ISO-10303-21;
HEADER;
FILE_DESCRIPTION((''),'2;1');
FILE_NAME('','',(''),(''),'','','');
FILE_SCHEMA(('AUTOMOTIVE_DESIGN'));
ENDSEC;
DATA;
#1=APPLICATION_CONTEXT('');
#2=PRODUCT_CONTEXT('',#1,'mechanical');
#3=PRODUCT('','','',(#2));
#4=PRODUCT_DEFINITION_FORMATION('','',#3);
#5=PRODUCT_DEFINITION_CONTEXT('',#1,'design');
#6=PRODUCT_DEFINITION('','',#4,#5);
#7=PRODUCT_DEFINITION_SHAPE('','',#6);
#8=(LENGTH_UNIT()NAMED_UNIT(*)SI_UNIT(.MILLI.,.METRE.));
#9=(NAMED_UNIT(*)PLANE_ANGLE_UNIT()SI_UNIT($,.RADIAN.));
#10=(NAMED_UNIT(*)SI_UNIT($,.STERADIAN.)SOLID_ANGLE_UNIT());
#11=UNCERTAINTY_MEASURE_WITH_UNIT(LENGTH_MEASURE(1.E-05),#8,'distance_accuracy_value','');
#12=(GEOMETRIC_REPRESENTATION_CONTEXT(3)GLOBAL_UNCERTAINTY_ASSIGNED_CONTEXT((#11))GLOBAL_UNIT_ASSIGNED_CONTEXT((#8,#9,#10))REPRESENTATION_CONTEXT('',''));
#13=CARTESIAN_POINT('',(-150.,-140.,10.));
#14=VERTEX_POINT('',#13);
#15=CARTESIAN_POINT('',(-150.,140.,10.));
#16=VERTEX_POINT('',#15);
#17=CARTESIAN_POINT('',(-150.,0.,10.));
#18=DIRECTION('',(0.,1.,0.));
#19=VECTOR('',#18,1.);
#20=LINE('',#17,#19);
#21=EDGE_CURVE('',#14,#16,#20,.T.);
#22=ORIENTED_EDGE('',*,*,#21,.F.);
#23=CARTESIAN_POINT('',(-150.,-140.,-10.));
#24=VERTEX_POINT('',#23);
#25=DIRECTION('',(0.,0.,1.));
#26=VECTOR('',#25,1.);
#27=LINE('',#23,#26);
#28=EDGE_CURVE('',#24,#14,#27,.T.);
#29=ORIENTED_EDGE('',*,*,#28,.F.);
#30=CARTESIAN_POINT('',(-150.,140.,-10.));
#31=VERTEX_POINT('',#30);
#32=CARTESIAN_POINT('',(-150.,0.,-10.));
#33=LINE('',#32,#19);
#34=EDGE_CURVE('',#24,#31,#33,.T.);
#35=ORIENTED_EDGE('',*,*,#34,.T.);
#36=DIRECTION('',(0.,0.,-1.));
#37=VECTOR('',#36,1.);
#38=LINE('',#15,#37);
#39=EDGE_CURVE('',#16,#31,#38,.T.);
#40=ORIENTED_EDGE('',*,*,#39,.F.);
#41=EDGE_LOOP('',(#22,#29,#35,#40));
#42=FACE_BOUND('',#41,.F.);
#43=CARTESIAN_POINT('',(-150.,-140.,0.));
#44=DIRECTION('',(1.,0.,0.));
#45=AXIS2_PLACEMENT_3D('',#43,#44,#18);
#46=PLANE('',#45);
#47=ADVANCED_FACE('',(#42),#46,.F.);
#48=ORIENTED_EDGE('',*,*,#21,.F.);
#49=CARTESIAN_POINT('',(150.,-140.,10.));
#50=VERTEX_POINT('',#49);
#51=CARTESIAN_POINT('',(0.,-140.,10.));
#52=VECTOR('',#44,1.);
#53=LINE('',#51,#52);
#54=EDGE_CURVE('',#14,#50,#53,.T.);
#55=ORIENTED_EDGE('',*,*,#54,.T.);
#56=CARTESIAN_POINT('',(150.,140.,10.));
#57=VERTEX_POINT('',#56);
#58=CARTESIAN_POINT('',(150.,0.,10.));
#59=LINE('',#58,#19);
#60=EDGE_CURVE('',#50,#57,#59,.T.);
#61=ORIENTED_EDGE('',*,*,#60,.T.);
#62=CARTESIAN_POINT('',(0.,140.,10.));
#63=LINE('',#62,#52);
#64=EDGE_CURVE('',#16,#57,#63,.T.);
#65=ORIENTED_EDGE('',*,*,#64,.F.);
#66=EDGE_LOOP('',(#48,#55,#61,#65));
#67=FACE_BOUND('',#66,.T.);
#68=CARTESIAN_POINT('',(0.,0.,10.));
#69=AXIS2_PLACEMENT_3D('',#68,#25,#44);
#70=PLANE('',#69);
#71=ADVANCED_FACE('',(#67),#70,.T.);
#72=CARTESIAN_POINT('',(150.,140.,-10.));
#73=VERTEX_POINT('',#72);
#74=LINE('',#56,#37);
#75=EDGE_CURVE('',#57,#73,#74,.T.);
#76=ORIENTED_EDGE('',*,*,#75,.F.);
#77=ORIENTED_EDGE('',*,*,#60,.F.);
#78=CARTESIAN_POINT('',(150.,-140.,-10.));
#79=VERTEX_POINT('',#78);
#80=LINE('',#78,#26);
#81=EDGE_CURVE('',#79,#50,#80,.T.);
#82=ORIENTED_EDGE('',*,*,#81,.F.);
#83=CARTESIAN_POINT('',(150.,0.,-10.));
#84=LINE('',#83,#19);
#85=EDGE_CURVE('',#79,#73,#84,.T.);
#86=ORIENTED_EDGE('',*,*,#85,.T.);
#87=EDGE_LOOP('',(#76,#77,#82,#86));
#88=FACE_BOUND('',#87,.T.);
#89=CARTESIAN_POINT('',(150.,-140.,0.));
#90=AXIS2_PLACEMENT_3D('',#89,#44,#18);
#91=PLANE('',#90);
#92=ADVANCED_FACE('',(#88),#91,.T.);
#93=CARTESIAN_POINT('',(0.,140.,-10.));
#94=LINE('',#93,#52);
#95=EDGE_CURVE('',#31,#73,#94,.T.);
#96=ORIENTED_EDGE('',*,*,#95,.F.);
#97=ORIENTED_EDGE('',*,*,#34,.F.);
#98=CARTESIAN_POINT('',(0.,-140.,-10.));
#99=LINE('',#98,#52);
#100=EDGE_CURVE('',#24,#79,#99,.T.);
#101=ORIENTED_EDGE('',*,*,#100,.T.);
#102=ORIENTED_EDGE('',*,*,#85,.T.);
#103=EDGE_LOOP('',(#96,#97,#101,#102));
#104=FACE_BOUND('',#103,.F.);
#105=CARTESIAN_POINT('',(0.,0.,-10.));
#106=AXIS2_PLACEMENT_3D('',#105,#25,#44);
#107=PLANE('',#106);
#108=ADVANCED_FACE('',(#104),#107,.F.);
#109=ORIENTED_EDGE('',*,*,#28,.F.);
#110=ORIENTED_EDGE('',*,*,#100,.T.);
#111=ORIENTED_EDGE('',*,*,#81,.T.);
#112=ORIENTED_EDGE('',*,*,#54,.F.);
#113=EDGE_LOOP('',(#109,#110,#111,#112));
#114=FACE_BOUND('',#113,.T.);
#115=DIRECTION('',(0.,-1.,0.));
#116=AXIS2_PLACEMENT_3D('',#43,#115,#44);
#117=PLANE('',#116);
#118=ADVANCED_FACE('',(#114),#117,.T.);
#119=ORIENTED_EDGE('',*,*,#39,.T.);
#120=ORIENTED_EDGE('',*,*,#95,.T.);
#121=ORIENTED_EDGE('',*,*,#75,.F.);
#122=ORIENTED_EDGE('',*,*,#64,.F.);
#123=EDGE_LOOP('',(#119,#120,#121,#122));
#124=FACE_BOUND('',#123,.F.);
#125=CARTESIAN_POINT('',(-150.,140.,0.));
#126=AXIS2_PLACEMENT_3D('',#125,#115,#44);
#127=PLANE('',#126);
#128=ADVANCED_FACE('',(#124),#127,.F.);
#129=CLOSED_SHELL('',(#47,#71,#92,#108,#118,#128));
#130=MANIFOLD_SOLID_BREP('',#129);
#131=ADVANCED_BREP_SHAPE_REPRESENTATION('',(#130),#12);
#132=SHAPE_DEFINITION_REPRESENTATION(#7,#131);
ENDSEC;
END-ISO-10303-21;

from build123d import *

# Parameters (mm, degrees)
SKETCH_1_W      = 300
SKETCH_1_H      = 280
EXTRUDE_1_DEPTH = 10


with BuildPart() as part:
    # 草图1 → 凸台-拉伸1 (new, symmetric)
    with BuildSketch(Plane.XY):
        Rectangle(SKETCH_1_W, SKETCH_1_H)
    extrude(amount=EXTRUDE_1_DEPTH, both=True)


solid = part.part
